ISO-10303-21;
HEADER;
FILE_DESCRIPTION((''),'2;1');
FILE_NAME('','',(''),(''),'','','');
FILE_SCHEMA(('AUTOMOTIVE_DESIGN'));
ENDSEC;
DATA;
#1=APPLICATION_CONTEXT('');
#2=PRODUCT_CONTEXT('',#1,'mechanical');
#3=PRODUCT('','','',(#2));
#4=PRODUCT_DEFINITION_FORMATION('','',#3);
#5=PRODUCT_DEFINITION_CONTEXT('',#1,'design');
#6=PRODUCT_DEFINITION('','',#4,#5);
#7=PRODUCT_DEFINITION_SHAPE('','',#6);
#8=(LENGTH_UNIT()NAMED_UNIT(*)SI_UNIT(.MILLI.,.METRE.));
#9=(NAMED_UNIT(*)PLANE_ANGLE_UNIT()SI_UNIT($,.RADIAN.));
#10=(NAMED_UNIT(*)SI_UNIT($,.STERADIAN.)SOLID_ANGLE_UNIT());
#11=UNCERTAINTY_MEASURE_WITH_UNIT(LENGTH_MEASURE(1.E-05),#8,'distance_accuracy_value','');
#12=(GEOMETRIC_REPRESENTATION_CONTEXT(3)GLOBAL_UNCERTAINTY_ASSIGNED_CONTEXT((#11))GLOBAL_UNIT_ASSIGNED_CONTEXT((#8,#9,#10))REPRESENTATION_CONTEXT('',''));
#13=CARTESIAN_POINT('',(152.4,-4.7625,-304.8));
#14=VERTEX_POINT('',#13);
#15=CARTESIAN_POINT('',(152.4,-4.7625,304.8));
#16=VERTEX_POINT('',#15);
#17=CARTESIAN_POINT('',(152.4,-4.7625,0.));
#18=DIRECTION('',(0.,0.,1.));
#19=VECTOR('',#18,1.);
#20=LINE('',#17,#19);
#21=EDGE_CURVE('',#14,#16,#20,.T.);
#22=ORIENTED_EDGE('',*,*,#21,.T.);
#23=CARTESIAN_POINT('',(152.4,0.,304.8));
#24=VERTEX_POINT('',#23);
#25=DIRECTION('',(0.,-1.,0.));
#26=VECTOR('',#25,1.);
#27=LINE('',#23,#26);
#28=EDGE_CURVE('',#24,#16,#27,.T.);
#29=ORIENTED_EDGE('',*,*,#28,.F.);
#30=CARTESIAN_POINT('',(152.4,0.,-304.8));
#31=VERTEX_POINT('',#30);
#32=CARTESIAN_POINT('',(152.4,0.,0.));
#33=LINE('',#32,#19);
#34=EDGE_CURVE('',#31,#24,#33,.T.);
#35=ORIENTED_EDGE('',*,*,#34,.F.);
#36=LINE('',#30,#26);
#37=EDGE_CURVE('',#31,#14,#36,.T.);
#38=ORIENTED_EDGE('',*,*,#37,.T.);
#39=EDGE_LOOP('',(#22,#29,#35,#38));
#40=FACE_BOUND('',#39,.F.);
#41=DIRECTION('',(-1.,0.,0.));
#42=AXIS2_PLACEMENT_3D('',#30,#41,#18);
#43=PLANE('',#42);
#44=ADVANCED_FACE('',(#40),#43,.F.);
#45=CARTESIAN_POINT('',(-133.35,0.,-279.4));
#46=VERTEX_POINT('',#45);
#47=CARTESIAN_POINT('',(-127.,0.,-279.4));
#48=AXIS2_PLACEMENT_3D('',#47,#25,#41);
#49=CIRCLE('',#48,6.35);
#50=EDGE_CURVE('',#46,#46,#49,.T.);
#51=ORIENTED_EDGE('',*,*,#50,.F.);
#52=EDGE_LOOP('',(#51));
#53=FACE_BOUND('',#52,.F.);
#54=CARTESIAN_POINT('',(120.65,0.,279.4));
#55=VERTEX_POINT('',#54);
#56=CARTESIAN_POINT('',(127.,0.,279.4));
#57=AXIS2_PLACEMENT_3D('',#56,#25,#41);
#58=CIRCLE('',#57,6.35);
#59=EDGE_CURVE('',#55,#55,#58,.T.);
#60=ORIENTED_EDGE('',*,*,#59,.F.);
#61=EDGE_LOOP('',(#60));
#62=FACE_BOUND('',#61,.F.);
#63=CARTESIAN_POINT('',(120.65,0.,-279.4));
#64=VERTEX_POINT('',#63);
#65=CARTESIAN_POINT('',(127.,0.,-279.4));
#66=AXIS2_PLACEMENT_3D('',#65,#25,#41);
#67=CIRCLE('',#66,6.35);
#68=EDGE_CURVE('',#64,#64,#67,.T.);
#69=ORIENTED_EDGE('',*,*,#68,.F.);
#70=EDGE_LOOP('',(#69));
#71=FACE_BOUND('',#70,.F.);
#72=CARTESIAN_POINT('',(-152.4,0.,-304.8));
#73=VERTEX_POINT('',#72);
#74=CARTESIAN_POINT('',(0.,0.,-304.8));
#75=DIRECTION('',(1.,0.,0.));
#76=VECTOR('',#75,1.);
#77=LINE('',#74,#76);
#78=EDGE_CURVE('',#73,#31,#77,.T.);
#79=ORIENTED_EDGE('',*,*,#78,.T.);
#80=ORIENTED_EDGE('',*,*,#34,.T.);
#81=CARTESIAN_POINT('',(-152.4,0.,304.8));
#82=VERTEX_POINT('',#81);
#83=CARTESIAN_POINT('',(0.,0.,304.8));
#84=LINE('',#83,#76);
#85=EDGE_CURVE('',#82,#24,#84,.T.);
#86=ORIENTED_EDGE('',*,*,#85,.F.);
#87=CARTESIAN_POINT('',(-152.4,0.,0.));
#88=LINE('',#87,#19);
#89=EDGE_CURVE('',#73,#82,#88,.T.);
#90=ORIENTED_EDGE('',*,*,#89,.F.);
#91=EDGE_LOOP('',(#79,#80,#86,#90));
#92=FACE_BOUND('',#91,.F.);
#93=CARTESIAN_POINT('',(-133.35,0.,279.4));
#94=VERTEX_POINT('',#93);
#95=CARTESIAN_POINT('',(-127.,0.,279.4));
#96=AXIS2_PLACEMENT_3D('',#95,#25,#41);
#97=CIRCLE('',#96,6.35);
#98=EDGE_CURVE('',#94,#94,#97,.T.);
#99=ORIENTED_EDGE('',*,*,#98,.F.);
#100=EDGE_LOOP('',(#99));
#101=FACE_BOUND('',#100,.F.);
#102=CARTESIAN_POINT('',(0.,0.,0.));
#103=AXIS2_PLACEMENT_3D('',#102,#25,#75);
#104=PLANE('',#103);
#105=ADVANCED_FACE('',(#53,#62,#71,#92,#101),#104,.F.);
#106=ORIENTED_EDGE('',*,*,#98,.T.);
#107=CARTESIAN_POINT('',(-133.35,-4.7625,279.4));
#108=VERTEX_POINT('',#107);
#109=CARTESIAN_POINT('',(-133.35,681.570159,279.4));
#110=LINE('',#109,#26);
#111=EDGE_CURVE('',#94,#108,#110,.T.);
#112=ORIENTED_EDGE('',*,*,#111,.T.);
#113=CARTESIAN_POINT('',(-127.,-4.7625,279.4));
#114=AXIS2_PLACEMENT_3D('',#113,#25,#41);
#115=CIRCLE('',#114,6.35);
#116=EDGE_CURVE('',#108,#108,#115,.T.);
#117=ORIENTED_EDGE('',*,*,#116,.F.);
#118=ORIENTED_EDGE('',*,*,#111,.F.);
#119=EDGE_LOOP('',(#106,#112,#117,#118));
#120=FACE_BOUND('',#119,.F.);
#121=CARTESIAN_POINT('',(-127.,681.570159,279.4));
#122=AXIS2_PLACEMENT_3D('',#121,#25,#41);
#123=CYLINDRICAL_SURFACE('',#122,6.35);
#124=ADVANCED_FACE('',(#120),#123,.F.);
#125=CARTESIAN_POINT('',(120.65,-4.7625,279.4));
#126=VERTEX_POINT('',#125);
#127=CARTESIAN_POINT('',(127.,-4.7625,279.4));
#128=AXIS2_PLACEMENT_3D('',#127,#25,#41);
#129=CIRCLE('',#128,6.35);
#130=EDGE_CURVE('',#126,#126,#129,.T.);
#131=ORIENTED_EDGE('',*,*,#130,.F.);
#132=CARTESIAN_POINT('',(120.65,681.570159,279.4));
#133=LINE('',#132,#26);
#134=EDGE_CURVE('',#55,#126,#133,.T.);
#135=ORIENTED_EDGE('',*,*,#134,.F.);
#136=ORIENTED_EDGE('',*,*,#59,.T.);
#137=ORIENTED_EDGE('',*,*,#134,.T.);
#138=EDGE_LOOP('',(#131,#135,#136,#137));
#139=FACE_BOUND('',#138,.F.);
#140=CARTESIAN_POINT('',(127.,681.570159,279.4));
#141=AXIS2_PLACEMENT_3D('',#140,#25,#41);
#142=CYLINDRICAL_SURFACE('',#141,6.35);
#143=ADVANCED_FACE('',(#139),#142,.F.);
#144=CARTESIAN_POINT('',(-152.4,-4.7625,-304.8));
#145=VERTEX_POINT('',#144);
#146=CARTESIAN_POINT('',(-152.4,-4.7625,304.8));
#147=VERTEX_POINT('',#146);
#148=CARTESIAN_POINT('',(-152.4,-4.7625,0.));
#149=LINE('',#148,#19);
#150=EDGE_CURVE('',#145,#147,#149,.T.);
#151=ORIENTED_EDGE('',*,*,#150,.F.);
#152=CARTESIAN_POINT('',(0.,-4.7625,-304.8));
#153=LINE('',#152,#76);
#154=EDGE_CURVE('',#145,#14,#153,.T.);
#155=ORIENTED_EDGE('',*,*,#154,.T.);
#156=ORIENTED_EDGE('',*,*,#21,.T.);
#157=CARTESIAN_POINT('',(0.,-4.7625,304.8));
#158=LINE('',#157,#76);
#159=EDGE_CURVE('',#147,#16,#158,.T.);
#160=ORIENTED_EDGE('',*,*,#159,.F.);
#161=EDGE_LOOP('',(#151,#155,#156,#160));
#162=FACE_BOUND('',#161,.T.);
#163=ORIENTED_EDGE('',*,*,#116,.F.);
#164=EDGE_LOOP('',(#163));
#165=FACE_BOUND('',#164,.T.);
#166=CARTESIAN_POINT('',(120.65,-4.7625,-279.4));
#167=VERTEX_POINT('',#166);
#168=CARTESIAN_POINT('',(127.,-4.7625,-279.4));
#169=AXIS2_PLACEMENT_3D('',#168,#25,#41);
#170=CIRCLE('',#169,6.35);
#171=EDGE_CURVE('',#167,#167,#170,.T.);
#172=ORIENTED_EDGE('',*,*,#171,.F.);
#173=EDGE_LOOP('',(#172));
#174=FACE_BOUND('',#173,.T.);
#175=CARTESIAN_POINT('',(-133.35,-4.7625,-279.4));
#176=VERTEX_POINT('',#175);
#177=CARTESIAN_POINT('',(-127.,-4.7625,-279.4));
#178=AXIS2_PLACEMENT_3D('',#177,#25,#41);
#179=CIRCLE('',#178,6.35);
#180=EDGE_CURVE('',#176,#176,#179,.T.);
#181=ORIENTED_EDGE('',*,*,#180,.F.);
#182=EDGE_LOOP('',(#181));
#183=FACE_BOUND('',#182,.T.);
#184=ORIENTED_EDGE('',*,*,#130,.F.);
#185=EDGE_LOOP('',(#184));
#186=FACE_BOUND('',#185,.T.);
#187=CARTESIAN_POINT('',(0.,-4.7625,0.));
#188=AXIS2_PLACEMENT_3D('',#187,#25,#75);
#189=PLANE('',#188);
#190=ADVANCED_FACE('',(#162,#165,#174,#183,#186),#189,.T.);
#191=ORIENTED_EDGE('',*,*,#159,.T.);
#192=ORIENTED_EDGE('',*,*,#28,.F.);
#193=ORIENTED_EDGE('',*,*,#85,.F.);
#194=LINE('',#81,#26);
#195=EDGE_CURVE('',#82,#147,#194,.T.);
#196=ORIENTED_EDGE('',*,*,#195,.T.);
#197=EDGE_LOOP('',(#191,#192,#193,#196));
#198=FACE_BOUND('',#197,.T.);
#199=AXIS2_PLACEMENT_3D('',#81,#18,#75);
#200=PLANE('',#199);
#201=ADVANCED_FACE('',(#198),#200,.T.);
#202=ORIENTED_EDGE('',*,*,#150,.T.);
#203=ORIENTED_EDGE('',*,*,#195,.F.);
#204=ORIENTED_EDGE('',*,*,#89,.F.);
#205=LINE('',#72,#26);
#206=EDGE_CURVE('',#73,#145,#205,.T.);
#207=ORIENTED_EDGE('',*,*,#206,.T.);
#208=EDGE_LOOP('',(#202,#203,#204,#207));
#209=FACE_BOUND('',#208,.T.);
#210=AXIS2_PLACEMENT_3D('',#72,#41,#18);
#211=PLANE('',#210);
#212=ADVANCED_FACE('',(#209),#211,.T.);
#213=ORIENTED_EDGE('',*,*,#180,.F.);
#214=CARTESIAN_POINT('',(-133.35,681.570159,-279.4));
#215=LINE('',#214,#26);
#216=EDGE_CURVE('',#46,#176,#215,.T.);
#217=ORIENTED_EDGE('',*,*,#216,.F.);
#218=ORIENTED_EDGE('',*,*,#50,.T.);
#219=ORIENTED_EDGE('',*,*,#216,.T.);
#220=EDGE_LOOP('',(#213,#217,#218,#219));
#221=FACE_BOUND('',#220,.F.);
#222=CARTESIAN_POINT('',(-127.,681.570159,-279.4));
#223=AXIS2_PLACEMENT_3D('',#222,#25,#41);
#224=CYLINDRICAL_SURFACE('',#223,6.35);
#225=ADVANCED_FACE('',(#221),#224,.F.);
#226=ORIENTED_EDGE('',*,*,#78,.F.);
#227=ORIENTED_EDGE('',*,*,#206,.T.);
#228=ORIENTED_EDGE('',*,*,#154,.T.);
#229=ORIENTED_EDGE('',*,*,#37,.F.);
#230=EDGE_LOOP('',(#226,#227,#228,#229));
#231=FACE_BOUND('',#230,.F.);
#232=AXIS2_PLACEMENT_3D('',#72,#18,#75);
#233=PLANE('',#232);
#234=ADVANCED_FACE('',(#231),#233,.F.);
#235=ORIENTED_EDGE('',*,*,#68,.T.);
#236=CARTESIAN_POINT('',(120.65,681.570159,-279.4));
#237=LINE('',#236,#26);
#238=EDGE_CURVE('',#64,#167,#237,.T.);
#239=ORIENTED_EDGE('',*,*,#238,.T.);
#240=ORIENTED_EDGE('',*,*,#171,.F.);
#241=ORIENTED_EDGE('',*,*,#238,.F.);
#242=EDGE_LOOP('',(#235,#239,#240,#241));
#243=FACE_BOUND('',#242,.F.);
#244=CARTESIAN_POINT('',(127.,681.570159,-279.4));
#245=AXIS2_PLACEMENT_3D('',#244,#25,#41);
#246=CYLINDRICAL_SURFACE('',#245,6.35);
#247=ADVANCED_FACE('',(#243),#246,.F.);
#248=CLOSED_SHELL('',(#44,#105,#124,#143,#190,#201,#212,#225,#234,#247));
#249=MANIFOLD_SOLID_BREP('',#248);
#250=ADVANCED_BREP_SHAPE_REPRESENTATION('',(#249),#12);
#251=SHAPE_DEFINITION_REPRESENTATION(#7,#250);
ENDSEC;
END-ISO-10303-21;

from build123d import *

# Parameters (mm, degrees)
F0_W     = 304.8
F0_H     = 609.6
F2_DEPTH = 4.7625
F1_D     = 12.7


with BuildPart() as f2:
    # F0 (on Front) → F2 (new body)
    with BuildSketch(Plane.XZ):
        Rectangle(F0_W, F0_H)
    extrude(amount=F2_DEPTH)

    # F1 (through all)
    with Locations(Plane(origin=(0, 0, 0), x_dir=(1, 0, 0), z_dir=(0, 1, 0))):
        with Locations((-127, 279.4), (127, 279.4), (-127, -279.4), (127, -279.4)):
            Hole(F1_D / 2)


solid = f2.part
